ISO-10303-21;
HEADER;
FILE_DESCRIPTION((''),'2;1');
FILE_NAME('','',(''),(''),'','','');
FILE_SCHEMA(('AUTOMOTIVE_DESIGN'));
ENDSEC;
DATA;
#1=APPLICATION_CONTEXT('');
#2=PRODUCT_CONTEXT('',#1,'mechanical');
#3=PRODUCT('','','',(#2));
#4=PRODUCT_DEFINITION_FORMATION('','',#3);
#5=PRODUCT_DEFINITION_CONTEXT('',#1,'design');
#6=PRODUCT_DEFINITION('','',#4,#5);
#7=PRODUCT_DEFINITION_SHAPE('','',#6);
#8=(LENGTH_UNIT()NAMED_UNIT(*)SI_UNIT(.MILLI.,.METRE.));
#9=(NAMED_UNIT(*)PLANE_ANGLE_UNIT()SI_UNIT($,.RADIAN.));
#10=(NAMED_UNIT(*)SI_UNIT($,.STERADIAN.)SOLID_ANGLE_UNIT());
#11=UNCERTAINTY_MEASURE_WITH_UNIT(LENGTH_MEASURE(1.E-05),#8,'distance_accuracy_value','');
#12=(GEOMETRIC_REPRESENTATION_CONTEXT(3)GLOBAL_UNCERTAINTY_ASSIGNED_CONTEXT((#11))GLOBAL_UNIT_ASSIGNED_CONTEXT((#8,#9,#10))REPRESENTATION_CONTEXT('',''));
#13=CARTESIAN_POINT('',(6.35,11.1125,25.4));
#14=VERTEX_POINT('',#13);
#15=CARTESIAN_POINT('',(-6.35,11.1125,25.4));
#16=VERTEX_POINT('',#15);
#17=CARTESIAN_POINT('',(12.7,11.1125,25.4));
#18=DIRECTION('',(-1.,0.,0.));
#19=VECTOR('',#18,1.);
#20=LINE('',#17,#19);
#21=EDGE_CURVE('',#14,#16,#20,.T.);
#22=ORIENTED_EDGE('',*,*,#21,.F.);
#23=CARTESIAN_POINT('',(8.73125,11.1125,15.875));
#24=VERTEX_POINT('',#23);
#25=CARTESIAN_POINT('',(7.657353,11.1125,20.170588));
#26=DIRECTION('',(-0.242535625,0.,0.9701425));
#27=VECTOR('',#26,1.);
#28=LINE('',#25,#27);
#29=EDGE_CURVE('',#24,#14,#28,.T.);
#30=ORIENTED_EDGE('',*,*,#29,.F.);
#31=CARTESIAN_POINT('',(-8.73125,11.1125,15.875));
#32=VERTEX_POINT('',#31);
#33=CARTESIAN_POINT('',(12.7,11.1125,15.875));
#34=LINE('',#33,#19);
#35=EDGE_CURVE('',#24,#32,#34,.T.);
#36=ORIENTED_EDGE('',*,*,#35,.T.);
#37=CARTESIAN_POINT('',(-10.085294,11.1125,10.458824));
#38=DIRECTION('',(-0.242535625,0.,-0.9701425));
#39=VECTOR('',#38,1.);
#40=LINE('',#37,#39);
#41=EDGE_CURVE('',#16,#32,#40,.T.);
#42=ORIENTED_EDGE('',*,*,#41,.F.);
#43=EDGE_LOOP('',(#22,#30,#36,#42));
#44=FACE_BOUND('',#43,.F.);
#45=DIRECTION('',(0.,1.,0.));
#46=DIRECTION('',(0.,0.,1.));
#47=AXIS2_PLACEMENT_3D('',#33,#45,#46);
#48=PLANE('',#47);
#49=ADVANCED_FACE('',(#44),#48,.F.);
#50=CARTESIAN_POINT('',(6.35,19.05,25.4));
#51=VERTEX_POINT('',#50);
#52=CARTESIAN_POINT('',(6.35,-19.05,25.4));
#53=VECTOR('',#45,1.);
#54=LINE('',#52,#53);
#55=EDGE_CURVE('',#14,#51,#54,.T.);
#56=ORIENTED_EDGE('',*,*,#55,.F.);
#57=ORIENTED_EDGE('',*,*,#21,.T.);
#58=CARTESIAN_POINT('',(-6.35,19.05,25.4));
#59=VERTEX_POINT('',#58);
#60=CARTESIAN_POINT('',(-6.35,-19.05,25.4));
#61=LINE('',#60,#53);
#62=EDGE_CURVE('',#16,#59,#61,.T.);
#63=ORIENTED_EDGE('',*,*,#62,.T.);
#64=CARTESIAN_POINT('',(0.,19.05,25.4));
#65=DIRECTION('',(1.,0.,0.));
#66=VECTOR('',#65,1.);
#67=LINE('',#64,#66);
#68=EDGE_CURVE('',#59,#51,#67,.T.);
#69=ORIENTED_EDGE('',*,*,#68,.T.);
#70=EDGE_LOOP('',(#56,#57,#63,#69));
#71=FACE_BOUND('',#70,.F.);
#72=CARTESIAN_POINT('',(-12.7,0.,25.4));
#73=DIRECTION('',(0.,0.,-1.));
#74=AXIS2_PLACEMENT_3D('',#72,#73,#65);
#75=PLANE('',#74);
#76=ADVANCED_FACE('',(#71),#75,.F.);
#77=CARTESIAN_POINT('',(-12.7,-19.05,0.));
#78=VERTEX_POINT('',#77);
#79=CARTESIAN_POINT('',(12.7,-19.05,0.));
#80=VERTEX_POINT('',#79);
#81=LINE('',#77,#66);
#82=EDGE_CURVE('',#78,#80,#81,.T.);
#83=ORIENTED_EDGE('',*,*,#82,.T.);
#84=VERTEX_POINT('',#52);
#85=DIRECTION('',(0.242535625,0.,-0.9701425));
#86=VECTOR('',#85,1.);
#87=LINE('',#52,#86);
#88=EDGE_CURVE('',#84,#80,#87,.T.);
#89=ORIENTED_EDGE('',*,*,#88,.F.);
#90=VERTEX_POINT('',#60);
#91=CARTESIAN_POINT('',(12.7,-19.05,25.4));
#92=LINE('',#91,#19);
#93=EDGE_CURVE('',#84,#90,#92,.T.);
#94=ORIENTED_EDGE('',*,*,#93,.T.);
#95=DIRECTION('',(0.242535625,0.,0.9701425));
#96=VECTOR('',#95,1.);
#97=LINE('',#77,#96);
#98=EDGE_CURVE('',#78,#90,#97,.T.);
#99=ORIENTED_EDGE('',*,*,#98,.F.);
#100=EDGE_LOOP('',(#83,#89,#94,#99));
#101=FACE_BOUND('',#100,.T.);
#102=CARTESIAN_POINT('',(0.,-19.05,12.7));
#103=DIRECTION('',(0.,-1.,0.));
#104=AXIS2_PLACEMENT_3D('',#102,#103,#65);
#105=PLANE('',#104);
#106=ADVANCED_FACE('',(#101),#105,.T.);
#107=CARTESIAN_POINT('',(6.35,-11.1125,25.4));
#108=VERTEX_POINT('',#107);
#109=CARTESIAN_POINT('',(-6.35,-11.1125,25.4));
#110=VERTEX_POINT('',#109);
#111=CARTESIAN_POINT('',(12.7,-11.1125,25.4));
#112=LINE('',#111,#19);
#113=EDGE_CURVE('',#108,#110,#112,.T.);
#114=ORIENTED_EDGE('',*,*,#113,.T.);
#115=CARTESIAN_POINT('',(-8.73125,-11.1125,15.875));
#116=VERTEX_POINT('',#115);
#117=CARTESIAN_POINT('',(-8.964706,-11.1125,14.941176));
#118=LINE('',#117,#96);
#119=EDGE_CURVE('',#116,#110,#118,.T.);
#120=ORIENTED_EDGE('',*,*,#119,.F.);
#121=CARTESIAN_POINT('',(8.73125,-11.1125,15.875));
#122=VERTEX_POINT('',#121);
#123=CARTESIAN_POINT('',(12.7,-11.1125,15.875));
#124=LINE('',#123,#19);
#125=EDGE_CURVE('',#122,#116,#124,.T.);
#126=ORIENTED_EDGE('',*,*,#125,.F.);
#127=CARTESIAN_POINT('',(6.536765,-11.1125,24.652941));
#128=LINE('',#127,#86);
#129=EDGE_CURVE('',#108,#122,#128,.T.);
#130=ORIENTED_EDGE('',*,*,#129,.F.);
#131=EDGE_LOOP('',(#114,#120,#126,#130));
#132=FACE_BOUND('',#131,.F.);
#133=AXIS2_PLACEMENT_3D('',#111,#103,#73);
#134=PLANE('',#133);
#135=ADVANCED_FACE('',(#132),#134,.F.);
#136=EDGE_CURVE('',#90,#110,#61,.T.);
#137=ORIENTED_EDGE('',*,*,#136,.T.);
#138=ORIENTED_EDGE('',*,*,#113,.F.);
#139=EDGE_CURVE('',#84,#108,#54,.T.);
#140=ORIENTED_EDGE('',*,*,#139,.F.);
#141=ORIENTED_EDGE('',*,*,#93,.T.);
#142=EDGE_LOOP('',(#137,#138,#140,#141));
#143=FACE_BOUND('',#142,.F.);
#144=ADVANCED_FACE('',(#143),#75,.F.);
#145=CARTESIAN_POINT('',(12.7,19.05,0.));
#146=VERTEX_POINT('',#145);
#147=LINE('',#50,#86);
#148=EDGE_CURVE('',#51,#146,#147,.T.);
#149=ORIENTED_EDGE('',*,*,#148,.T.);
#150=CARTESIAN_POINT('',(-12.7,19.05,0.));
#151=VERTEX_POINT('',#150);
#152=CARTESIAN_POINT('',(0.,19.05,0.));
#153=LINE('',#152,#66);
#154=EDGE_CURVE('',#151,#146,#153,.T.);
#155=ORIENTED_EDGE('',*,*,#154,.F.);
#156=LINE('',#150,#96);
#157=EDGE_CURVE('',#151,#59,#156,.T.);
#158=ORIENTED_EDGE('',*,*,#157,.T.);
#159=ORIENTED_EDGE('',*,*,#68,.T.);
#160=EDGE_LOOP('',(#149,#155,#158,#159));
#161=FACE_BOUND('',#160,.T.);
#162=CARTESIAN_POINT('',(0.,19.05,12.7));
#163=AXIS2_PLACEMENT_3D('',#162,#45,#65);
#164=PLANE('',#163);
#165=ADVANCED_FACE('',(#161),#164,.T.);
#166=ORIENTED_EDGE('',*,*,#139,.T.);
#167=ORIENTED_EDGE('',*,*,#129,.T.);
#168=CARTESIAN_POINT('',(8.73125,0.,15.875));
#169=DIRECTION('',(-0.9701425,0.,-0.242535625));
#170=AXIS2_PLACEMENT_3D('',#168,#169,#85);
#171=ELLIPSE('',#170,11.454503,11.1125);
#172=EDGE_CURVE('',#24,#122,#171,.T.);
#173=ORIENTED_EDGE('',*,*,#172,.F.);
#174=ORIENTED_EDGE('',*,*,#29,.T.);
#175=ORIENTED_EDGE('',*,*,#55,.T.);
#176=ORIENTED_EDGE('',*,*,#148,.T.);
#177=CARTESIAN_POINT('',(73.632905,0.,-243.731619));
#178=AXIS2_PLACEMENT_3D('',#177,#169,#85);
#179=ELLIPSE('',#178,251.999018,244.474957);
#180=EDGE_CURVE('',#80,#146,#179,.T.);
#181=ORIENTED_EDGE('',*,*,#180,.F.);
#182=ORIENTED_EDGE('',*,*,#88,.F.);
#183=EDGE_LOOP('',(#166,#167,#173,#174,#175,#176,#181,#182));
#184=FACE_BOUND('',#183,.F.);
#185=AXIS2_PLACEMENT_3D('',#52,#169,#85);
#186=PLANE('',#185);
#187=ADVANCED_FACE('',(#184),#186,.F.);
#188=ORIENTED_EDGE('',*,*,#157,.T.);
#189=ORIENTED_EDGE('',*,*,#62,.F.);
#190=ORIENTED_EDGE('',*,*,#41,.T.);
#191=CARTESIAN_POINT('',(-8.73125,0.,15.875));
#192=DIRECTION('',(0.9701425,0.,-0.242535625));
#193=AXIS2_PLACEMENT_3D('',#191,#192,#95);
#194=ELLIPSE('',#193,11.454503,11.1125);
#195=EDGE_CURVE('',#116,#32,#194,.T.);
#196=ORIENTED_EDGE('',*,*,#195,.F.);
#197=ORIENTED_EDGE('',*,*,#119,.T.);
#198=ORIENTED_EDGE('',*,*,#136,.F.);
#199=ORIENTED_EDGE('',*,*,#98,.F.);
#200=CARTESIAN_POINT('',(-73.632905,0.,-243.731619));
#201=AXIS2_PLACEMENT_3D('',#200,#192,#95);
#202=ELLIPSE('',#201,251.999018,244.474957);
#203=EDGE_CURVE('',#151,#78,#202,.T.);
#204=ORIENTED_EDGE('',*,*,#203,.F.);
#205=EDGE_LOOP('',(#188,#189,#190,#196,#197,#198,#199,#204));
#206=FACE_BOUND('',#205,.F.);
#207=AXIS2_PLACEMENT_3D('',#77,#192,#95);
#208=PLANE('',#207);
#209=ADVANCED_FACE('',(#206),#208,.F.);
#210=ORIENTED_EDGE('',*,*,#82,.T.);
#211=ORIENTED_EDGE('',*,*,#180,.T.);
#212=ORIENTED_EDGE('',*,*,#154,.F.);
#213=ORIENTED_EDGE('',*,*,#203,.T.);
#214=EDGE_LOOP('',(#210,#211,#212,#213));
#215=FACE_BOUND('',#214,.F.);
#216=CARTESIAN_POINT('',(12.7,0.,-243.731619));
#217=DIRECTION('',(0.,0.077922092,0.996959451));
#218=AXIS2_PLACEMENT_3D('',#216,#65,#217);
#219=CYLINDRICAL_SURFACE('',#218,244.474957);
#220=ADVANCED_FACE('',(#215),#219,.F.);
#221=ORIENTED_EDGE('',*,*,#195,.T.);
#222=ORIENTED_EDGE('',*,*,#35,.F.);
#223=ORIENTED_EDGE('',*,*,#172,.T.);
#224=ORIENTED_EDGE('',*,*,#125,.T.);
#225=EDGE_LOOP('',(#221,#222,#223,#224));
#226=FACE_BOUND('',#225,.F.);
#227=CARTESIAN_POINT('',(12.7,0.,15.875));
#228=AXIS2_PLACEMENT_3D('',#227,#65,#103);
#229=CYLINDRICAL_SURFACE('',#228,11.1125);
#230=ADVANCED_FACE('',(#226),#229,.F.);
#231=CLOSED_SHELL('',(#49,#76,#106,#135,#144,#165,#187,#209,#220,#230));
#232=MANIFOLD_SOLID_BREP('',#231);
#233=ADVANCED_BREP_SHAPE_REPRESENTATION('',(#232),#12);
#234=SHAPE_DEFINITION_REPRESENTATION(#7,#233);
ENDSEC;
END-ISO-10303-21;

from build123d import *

# Parameters (mm, degrees)
F1_DEPTH  = 19.05
F1_FACE_W = 25.4
F1_FACE_H = 25.4
F2_DEPTH  = 19.05
F4_DEPTH  = 25.4
F6_DEPTH  = 25.4
F8_DEPTH  = 38.1


with BuildPart() as f1:
    # F0 (on Front) → F1 (new body)
    with BuildSketch(Plane.XZ):
        Polygon((-12.7, 0), (0, 0), (12.7, 0), (12.7, 25.4), (-12.7, 25.4), align=None)
    extrude(amount=F1_DEPTH)

    # F1_face (on face) → F2 (join)
    with BuildSketch(Plane(origin=(0, 0, 12.7), x_dir=(1, 0, 0), z_dir=(0, 1, 0))):
        Rectangle(F1_FACE_W, F1_FACE_H)
    extrude(amount=F2_DEPTH)

    # F3 (on face) → F4 (cut)
    with BuildSketch(Plane.YZ.offset(12.7)):
        with BuildLine():
            Line((-19.05, 0), (19.05, 0))
            ThreePointArc((19.05, 0), (0, 0.743338), (-19.05, 0))
        make_face()
    extrude(amount=-F4_DEPTH, mode=Mode.SUBTRACT)

    # F5 (on face) → F6 (cut)
    with BuildSketch(Plane.YZ.offset(12.7)):
        with BuildLine():
            Line((-11.1125, 25.4), (-11.1125, 15.875))
            ThreePointArc((-11.1125, 15.875), (0, 4.7625), (11.1125, 15.875))
            Line((11.1125, 15.875), (11.1125, 25.4))
            Line((11.1125, 25.4), (-11.1125, 25.4))
        make_face()
    extrude(amount=-F6_DEPTH, mode=Mode.SUBTRACT)

    # F7 (on face) → F8 (cut)
    with BuildSketch(Plane.XZ.offset(19.05)):
        Polygon((-12.7, 25.4), (-12.7, 0), (-6.35, 25.4), align=None)
        Polygon((6.35, 25.4), (12.7, 0), (12.7, 25.4), align=None)
    extrude(amount=-F8_DEPTH, mode=Mode.SUBTRACT)


solid = f1.part
